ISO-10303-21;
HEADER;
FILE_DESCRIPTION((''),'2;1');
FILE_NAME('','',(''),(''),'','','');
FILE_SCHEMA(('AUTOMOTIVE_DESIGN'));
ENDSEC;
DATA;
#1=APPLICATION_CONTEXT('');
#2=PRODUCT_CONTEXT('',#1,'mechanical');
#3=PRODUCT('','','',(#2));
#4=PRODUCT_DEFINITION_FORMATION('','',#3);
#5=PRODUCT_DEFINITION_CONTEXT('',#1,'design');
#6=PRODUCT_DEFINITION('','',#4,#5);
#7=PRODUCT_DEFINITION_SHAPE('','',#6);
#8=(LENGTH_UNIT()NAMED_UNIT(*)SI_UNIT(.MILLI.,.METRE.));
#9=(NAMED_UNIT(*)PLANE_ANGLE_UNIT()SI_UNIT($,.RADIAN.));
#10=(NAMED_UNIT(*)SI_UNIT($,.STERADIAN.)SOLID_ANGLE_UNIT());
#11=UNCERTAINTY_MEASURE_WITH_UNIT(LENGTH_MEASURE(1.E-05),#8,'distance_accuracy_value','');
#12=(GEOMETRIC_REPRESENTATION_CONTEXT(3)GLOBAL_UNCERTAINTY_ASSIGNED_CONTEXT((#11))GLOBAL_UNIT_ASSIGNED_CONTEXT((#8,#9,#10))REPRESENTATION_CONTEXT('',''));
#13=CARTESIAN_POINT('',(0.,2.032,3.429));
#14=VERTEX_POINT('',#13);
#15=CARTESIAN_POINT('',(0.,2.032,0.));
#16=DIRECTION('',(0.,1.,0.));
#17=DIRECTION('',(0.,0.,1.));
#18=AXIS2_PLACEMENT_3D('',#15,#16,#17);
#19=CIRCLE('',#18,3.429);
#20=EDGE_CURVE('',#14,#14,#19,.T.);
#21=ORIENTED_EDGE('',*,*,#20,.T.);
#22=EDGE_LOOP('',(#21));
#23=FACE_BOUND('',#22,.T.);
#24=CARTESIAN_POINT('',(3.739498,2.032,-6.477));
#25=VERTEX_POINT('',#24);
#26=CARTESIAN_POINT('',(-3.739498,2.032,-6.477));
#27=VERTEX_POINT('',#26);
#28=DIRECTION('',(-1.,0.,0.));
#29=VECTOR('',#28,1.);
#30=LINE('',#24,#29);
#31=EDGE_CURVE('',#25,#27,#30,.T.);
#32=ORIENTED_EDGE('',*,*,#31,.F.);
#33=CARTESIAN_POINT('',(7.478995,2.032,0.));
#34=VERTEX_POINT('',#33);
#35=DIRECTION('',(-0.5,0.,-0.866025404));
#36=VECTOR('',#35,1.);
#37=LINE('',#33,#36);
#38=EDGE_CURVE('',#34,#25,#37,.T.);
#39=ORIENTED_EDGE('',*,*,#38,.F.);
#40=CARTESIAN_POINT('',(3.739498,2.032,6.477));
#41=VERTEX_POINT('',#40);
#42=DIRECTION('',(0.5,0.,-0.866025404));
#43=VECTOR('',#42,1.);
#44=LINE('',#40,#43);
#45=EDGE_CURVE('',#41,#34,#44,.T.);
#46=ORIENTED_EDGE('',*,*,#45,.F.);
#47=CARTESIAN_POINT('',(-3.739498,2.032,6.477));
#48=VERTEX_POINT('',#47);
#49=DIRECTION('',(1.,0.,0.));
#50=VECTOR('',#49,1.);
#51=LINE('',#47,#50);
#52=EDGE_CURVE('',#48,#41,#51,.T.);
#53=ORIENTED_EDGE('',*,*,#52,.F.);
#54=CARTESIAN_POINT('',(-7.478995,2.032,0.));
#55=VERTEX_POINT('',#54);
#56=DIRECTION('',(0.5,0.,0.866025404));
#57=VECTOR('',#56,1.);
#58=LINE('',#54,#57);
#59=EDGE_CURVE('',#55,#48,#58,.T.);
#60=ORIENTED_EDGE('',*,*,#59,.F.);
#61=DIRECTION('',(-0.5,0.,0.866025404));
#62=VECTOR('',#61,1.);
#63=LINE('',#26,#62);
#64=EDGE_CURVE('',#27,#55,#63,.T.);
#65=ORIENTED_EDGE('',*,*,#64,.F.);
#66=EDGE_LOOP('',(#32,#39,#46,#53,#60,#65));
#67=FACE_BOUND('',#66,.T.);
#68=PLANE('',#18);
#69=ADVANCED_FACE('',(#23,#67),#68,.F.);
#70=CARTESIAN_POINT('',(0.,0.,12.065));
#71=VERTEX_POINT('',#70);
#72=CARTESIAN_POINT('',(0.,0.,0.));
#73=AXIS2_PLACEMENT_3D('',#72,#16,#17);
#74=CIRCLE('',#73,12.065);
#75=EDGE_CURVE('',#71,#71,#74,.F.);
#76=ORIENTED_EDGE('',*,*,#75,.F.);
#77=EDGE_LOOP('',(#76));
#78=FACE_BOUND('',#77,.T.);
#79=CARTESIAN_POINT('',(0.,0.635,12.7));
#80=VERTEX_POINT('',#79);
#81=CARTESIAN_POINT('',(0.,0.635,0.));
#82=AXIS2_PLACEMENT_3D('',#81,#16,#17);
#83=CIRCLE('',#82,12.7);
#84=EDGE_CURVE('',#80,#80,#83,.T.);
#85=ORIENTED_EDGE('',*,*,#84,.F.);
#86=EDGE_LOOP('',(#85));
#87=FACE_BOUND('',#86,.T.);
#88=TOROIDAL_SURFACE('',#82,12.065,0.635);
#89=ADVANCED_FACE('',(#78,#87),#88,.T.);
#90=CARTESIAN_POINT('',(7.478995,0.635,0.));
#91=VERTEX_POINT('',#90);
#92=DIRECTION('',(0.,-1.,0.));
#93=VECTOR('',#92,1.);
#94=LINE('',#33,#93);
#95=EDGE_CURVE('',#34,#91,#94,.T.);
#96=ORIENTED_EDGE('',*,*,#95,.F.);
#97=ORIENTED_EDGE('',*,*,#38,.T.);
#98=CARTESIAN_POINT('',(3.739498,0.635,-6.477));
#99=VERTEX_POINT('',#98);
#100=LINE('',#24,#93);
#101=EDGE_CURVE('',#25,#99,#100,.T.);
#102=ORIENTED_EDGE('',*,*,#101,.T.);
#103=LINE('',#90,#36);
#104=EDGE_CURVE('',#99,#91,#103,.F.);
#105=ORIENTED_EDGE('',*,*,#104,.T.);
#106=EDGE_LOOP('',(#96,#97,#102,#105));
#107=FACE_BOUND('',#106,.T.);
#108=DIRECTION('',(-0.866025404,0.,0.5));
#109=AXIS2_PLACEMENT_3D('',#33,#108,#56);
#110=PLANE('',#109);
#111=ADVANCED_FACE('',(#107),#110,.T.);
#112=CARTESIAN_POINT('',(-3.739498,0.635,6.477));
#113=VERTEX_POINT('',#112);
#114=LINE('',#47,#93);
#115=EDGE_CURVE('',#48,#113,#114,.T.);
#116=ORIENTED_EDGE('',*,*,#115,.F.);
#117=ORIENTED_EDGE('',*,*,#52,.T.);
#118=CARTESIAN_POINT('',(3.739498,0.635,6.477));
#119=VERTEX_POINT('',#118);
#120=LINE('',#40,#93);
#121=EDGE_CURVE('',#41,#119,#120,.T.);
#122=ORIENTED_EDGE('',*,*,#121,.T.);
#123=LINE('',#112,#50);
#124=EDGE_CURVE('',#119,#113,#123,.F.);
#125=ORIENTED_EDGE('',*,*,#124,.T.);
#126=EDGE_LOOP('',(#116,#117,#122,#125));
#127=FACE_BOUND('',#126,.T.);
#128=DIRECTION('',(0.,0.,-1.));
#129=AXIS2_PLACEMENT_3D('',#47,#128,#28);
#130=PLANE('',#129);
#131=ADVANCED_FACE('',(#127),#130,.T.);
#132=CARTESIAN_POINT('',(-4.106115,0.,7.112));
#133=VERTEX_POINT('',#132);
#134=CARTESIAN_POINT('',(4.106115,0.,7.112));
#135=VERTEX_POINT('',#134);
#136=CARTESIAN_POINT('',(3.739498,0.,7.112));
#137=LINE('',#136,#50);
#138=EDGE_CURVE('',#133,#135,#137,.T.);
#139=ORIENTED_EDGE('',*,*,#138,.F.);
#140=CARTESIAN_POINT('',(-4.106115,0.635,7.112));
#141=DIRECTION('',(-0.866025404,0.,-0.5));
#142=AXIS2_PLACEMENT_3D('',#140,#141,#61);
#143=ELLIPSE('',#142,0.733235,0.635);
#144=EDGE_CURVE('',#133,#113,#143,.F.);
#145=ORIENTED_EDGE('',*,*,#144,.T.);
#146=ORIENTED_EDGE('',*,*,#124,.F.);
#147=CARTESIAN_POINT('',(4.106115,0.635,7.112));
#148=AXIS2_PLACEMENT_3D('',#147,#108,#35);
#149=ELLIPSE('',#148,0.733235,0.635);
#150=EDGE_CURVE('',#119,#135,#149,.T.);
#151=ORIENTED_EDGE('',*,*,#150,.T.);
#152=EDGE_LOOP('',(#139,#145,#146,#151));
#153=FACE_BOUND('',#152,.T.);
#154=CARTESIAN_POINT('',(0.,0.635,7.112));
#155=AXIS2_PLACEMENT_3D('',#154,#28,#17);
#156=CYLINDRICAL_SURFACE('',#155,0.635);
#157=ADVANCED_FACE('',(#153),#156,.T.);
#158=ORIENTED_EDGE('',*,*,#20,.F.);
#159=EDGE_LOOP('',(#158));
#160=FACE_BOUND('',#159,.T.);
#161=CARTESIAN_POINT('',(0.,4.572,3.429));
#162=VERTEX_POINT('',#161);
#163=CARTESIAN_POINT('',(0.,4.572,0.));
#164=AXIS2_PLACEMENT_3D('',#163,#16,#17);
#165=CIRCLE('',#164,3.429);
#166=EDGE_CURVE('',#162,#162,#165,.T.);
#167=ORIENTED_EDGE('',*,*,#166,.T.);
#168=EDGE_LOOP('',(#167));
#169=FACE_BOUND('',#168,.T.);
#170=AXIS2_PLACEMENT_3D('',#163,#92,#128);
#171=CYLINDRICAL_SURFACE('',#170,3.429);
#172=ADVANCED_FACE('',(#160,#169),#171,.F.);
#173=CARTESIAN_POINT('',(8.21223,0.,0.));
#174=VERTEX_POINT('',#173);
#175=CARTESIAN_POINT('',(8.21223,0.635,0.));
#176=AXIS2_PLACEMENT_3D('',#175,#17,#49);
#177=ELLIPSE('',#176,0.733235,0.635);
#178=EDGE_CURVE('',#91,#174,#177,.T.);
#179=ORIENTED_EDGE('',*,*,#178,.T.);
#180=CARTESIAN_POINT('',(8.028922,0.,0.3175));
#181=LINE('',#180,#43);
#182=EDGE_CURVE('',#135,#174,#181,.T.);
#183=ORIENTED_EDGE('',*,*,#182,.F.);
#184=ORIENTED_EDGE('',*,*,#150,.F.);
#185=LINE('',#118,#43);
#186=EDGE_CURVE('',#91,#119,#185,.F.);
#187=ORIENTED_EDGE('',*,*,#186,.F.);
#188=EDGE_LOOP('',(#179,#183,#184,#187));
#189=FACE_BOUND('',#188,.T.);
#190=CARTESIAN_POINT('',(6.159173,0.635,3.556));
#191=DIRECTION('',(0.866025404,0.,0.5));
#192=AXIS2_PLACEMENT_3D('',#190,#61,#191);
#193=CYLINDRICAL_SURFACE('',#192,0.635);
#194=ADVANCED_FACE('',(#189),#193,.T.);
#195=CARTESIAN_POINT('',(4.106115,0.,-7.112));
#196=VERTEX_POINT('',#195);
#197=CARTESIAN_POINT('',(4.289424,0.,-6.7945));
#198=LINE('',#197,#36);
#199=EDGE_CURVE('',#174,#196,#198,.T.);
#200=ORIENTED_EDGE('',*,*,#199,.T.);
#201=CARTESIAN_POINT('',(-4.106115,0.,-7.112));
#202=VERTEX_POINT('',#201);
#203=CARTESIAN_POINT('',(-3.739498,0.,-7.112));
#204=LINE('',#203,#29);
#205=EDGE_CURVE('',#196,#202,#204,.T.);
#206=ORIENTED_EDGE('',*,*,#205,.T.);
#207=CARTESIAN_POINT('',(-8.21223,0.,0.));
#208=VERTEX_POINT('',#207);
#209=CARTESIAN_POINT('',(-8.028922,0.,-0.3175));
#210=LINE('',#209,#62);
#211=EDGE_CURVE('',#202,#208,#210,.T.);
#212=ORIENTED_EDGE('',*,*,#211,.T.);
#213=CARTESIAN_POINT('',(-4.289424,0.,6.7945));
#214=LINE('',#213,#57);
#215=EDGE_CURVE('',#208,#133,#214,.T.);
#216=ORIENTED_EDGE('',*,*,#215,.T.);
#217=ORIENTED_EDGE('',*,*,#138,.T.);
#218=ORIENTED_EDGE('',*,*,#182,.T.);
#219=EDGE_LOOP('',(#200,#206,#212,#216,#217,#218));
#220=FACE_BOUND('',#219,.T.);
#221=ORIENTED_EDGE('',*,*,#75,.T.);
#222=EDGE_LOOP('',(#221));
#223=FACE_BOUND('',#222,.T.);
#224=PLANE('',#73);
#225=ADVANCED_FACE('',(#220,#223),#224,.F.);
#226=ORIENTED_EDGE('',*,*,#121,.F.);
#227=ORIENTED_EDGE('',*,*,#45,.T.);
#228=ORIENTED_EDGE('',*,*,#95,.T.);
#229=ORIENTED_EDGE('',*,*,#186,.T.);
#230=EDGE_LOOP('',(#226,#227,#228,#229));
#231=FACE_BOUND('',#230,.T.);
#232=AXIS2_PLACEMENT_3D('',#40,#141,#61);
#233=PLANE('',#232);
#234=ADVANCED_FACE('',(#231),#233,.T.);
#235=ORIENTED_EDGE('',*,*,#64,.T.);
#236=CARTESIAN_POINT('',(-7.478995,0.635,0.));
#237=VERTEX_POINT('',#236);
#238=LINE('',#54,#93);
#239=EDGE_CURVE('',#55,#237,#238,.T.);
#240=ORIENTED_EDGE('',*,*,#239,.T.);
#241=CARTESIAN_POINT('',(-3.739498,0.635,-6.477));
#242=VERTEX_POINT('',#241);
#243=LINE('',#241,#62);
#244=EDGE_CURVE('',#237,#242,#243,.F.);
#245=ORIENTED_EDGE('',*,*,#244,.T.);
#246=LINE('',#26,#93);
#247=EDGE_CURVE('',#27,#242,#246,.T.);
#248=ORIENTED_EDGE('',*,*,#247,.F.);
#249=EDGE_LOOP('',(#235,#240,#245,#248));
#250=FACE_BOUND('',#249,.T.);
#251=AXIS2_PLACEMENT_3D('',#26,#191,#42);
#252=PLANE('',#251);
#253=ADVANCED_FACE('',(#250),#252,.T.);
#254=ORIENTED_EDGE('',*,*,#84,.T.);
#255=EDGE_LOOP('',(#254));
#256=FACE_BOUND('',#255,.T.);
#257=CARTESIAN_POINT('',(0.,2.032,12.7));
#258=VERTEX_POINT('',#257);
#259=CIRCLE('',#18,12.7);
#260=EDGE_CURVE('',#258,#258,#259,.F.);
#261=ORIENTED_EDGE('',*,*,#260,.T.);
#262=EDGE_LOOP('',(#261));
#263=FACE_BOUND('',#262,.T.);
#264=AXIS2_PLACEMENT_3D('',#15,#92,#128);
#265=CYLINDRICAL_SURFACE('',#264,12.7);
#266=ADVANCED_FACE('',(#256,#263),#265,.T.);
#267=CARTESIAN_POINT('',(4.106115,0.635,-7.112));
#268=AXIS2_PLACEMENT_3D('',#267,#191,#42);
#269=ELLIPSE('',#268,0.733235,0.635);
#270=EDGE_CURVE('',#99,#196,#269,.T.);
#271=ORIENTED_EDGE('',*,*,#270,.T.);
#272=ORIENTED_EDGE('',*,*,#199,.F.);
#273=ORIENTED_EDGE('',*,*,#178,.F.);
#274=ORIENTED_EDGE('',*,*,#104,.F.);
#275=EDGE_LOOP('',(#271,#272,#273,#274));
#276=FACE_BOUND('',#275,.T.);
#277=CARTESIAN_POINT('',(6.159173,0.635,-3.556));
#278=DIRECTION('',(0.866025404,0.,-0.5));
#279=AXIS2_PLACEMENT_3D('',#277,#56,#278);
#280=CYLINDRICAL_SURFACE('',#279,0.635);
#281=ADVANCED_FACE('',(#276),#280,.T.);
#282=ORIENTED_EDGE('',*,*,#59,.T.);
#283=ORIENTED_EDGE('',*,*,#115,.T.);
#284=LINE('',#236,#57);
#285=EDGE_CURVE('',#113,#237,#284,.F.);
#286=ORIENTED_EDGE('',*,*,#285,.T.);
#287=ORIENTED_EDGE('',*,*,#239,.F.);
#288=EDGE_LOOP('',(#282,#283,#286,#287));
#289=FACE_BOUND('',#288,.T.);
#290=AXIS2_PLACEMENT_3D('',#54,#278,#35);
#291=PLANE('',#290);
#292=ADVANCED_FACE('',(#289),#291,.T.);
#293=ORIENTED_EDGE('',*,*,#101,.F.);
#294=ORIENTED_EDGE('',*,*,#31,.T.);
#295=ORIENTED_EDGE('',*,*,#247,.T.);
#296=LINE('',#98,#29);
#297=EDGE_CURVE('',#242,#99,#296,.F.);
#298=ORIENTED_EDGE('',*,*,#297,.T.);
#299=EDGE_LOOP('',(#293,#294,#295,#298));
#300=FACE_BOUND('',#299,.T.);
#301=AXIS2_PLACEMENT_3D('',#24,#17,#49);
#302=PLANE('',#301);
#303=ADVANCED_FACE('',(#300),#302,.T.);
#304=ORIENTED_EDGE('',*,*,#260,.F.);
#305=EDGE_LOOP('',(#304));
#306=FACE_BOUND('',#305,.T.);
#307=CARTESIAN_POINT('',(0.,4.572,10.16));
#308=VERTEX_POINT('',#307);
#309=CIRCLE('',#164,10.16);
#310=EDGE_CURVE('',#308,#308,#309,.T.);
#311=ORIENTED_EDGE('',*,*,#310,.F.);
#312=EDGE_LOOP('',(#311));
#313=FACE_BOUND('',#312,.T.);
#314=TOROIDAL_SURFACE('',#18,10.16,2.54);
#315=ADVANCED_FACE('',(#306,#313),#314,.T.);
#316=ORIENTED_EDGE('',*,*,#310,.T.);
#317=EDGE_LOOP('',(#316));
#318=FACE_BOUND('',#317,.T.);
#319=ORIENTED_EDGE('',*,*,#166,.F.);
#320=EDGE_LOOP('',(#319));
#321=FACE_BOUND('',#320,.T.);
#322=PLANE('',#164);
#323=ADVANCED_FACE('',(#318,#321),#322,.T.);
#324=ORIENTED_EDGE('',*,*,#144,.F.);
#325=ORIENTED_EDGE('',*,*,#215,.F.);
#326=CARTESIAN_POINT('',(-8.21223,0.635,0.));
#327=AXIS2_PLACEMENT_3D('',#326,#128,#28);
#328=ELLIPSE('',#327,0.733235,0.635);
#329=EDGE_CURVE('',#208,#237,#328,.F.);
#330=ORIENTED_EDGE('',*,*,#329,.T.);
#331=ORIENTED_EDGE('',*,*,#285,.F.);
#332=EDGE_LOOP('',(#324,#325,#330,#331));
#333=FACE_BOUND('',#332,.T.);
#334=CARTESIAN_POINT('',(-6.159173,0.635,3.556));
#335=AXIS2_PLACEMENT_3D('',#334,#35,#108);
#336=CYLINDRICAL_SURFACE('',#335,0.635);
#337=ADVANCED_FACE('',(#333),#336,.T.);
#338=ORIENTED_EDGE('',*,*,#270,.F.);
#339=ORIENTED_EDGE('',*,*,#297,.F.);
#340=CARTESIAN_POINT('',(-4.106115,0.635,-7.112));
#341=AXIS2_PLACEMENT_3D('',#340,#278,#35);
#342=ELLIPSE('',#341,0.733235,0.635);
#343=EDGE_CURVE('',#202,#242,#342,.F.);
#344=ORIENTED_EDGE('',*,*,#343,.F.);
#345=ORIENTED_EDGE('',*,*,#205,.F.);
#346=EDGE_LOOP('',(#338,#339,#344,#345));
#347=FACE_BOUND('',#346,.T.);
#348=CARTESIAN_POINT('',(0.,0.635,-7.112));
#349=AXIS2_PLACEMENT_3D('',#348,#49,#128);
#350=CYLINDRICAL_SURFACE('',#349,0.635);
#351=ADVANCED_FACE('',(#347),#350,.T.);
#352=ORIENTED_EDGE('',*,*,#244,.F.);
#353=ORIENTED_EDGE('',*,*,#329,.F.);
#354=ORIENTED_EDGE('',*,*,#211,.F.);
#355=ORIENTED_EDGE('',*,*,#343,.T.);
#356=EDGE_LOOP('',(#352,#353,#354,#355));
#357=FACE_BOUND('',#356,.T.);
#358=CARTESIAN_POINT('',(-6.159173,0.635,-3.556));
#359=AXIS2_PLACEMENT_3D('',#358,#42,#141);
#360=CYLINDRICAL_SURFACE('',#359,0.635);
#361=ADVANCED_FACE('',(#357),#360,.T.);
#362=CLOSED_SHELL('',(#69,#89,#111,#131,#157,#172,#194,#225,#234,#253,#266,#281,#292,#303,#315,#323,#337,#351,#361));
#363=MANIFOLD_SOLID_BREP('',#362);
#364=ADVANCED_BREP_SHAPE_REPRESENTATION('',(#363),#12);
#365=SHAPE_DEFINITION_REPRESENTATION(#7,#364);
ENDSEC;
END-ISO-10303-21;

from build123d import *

# Parameters (mm, degrees)
SKETCH1_R           = 12.7
BOSS_EXTRUDE1_DEPTH = 2.032
SKETCH2_R           = 12.7
SKETCH2_R_2         = 3.429
BOSS_EXTRUDE2_DEPTH = 2.54
FILLET1_R           = 2.54
FILLET2_R           = 0.635


with BuildPart() as part:
    # Sketch1 → Boss-Extrude1 (new body)
    with BuildSketch(Plane(origin=(0, 0, 0), x_dir=(1, 0, 0), z_dir=(0, 1, 0))):
        with Locations(Location((0, 0, 0), (0, 0, 270))):
            Circle(SKETCH1_R)
        Polygon((7.478995387, 0), (3.739497694, 6.477), (-3.739497694, 6.477), (-7.478995387, 0), (-3.739497694, -6.477), (3.739497694, -6.477), align=None, mode=Mode.SUBTRACT)
    extrude(amount=BOSS_EXTRUDE1_DEPTH)

    # Sketch2 → Boss-Extrude2 (add)
    with BuildSketch(Plane(origin=(0, 2.032, 0), x_dir=(1, 0, 0), z_dir=(0, 1, 0))):
        with Locations(Location((0, 0, 0), (0, 0, 270))):
            Circle(SKETCH2_R)
        with Locations(Location((0, 0, 0), (0, 0, 270))):
            Circle(SKETCH2_R_2, mode=Mode.SUBTRACT)
    extrude(amount=BOSS_EXTRUDE2_DEPTH)

    # Fillet1
    fillet1_edges = [part.edges().sort_by_distance(p)[0] for p in [
        (0, 4.572, -12.7),
    ]]
    fillet(fillet1_edges, radius=FILLET1_R)

    # Fillet2
    fillet2_edges = [part.edges().sort_by_distance(p)[0] for p in [
        (0, 0, -6.477),
        (-5.60924654, 0, -3.2385),
        (-5.60924654, 0, 3.2385),
        (0, 0, 6.477),
        (0, 0, -12.7),
        (5.60924654, 0, 3.2385),
        (5.60924654, 0, -3.2385),
    ]]
    fillet(fillet2_edges, radius=FILLET2_R)


solid = part.part
